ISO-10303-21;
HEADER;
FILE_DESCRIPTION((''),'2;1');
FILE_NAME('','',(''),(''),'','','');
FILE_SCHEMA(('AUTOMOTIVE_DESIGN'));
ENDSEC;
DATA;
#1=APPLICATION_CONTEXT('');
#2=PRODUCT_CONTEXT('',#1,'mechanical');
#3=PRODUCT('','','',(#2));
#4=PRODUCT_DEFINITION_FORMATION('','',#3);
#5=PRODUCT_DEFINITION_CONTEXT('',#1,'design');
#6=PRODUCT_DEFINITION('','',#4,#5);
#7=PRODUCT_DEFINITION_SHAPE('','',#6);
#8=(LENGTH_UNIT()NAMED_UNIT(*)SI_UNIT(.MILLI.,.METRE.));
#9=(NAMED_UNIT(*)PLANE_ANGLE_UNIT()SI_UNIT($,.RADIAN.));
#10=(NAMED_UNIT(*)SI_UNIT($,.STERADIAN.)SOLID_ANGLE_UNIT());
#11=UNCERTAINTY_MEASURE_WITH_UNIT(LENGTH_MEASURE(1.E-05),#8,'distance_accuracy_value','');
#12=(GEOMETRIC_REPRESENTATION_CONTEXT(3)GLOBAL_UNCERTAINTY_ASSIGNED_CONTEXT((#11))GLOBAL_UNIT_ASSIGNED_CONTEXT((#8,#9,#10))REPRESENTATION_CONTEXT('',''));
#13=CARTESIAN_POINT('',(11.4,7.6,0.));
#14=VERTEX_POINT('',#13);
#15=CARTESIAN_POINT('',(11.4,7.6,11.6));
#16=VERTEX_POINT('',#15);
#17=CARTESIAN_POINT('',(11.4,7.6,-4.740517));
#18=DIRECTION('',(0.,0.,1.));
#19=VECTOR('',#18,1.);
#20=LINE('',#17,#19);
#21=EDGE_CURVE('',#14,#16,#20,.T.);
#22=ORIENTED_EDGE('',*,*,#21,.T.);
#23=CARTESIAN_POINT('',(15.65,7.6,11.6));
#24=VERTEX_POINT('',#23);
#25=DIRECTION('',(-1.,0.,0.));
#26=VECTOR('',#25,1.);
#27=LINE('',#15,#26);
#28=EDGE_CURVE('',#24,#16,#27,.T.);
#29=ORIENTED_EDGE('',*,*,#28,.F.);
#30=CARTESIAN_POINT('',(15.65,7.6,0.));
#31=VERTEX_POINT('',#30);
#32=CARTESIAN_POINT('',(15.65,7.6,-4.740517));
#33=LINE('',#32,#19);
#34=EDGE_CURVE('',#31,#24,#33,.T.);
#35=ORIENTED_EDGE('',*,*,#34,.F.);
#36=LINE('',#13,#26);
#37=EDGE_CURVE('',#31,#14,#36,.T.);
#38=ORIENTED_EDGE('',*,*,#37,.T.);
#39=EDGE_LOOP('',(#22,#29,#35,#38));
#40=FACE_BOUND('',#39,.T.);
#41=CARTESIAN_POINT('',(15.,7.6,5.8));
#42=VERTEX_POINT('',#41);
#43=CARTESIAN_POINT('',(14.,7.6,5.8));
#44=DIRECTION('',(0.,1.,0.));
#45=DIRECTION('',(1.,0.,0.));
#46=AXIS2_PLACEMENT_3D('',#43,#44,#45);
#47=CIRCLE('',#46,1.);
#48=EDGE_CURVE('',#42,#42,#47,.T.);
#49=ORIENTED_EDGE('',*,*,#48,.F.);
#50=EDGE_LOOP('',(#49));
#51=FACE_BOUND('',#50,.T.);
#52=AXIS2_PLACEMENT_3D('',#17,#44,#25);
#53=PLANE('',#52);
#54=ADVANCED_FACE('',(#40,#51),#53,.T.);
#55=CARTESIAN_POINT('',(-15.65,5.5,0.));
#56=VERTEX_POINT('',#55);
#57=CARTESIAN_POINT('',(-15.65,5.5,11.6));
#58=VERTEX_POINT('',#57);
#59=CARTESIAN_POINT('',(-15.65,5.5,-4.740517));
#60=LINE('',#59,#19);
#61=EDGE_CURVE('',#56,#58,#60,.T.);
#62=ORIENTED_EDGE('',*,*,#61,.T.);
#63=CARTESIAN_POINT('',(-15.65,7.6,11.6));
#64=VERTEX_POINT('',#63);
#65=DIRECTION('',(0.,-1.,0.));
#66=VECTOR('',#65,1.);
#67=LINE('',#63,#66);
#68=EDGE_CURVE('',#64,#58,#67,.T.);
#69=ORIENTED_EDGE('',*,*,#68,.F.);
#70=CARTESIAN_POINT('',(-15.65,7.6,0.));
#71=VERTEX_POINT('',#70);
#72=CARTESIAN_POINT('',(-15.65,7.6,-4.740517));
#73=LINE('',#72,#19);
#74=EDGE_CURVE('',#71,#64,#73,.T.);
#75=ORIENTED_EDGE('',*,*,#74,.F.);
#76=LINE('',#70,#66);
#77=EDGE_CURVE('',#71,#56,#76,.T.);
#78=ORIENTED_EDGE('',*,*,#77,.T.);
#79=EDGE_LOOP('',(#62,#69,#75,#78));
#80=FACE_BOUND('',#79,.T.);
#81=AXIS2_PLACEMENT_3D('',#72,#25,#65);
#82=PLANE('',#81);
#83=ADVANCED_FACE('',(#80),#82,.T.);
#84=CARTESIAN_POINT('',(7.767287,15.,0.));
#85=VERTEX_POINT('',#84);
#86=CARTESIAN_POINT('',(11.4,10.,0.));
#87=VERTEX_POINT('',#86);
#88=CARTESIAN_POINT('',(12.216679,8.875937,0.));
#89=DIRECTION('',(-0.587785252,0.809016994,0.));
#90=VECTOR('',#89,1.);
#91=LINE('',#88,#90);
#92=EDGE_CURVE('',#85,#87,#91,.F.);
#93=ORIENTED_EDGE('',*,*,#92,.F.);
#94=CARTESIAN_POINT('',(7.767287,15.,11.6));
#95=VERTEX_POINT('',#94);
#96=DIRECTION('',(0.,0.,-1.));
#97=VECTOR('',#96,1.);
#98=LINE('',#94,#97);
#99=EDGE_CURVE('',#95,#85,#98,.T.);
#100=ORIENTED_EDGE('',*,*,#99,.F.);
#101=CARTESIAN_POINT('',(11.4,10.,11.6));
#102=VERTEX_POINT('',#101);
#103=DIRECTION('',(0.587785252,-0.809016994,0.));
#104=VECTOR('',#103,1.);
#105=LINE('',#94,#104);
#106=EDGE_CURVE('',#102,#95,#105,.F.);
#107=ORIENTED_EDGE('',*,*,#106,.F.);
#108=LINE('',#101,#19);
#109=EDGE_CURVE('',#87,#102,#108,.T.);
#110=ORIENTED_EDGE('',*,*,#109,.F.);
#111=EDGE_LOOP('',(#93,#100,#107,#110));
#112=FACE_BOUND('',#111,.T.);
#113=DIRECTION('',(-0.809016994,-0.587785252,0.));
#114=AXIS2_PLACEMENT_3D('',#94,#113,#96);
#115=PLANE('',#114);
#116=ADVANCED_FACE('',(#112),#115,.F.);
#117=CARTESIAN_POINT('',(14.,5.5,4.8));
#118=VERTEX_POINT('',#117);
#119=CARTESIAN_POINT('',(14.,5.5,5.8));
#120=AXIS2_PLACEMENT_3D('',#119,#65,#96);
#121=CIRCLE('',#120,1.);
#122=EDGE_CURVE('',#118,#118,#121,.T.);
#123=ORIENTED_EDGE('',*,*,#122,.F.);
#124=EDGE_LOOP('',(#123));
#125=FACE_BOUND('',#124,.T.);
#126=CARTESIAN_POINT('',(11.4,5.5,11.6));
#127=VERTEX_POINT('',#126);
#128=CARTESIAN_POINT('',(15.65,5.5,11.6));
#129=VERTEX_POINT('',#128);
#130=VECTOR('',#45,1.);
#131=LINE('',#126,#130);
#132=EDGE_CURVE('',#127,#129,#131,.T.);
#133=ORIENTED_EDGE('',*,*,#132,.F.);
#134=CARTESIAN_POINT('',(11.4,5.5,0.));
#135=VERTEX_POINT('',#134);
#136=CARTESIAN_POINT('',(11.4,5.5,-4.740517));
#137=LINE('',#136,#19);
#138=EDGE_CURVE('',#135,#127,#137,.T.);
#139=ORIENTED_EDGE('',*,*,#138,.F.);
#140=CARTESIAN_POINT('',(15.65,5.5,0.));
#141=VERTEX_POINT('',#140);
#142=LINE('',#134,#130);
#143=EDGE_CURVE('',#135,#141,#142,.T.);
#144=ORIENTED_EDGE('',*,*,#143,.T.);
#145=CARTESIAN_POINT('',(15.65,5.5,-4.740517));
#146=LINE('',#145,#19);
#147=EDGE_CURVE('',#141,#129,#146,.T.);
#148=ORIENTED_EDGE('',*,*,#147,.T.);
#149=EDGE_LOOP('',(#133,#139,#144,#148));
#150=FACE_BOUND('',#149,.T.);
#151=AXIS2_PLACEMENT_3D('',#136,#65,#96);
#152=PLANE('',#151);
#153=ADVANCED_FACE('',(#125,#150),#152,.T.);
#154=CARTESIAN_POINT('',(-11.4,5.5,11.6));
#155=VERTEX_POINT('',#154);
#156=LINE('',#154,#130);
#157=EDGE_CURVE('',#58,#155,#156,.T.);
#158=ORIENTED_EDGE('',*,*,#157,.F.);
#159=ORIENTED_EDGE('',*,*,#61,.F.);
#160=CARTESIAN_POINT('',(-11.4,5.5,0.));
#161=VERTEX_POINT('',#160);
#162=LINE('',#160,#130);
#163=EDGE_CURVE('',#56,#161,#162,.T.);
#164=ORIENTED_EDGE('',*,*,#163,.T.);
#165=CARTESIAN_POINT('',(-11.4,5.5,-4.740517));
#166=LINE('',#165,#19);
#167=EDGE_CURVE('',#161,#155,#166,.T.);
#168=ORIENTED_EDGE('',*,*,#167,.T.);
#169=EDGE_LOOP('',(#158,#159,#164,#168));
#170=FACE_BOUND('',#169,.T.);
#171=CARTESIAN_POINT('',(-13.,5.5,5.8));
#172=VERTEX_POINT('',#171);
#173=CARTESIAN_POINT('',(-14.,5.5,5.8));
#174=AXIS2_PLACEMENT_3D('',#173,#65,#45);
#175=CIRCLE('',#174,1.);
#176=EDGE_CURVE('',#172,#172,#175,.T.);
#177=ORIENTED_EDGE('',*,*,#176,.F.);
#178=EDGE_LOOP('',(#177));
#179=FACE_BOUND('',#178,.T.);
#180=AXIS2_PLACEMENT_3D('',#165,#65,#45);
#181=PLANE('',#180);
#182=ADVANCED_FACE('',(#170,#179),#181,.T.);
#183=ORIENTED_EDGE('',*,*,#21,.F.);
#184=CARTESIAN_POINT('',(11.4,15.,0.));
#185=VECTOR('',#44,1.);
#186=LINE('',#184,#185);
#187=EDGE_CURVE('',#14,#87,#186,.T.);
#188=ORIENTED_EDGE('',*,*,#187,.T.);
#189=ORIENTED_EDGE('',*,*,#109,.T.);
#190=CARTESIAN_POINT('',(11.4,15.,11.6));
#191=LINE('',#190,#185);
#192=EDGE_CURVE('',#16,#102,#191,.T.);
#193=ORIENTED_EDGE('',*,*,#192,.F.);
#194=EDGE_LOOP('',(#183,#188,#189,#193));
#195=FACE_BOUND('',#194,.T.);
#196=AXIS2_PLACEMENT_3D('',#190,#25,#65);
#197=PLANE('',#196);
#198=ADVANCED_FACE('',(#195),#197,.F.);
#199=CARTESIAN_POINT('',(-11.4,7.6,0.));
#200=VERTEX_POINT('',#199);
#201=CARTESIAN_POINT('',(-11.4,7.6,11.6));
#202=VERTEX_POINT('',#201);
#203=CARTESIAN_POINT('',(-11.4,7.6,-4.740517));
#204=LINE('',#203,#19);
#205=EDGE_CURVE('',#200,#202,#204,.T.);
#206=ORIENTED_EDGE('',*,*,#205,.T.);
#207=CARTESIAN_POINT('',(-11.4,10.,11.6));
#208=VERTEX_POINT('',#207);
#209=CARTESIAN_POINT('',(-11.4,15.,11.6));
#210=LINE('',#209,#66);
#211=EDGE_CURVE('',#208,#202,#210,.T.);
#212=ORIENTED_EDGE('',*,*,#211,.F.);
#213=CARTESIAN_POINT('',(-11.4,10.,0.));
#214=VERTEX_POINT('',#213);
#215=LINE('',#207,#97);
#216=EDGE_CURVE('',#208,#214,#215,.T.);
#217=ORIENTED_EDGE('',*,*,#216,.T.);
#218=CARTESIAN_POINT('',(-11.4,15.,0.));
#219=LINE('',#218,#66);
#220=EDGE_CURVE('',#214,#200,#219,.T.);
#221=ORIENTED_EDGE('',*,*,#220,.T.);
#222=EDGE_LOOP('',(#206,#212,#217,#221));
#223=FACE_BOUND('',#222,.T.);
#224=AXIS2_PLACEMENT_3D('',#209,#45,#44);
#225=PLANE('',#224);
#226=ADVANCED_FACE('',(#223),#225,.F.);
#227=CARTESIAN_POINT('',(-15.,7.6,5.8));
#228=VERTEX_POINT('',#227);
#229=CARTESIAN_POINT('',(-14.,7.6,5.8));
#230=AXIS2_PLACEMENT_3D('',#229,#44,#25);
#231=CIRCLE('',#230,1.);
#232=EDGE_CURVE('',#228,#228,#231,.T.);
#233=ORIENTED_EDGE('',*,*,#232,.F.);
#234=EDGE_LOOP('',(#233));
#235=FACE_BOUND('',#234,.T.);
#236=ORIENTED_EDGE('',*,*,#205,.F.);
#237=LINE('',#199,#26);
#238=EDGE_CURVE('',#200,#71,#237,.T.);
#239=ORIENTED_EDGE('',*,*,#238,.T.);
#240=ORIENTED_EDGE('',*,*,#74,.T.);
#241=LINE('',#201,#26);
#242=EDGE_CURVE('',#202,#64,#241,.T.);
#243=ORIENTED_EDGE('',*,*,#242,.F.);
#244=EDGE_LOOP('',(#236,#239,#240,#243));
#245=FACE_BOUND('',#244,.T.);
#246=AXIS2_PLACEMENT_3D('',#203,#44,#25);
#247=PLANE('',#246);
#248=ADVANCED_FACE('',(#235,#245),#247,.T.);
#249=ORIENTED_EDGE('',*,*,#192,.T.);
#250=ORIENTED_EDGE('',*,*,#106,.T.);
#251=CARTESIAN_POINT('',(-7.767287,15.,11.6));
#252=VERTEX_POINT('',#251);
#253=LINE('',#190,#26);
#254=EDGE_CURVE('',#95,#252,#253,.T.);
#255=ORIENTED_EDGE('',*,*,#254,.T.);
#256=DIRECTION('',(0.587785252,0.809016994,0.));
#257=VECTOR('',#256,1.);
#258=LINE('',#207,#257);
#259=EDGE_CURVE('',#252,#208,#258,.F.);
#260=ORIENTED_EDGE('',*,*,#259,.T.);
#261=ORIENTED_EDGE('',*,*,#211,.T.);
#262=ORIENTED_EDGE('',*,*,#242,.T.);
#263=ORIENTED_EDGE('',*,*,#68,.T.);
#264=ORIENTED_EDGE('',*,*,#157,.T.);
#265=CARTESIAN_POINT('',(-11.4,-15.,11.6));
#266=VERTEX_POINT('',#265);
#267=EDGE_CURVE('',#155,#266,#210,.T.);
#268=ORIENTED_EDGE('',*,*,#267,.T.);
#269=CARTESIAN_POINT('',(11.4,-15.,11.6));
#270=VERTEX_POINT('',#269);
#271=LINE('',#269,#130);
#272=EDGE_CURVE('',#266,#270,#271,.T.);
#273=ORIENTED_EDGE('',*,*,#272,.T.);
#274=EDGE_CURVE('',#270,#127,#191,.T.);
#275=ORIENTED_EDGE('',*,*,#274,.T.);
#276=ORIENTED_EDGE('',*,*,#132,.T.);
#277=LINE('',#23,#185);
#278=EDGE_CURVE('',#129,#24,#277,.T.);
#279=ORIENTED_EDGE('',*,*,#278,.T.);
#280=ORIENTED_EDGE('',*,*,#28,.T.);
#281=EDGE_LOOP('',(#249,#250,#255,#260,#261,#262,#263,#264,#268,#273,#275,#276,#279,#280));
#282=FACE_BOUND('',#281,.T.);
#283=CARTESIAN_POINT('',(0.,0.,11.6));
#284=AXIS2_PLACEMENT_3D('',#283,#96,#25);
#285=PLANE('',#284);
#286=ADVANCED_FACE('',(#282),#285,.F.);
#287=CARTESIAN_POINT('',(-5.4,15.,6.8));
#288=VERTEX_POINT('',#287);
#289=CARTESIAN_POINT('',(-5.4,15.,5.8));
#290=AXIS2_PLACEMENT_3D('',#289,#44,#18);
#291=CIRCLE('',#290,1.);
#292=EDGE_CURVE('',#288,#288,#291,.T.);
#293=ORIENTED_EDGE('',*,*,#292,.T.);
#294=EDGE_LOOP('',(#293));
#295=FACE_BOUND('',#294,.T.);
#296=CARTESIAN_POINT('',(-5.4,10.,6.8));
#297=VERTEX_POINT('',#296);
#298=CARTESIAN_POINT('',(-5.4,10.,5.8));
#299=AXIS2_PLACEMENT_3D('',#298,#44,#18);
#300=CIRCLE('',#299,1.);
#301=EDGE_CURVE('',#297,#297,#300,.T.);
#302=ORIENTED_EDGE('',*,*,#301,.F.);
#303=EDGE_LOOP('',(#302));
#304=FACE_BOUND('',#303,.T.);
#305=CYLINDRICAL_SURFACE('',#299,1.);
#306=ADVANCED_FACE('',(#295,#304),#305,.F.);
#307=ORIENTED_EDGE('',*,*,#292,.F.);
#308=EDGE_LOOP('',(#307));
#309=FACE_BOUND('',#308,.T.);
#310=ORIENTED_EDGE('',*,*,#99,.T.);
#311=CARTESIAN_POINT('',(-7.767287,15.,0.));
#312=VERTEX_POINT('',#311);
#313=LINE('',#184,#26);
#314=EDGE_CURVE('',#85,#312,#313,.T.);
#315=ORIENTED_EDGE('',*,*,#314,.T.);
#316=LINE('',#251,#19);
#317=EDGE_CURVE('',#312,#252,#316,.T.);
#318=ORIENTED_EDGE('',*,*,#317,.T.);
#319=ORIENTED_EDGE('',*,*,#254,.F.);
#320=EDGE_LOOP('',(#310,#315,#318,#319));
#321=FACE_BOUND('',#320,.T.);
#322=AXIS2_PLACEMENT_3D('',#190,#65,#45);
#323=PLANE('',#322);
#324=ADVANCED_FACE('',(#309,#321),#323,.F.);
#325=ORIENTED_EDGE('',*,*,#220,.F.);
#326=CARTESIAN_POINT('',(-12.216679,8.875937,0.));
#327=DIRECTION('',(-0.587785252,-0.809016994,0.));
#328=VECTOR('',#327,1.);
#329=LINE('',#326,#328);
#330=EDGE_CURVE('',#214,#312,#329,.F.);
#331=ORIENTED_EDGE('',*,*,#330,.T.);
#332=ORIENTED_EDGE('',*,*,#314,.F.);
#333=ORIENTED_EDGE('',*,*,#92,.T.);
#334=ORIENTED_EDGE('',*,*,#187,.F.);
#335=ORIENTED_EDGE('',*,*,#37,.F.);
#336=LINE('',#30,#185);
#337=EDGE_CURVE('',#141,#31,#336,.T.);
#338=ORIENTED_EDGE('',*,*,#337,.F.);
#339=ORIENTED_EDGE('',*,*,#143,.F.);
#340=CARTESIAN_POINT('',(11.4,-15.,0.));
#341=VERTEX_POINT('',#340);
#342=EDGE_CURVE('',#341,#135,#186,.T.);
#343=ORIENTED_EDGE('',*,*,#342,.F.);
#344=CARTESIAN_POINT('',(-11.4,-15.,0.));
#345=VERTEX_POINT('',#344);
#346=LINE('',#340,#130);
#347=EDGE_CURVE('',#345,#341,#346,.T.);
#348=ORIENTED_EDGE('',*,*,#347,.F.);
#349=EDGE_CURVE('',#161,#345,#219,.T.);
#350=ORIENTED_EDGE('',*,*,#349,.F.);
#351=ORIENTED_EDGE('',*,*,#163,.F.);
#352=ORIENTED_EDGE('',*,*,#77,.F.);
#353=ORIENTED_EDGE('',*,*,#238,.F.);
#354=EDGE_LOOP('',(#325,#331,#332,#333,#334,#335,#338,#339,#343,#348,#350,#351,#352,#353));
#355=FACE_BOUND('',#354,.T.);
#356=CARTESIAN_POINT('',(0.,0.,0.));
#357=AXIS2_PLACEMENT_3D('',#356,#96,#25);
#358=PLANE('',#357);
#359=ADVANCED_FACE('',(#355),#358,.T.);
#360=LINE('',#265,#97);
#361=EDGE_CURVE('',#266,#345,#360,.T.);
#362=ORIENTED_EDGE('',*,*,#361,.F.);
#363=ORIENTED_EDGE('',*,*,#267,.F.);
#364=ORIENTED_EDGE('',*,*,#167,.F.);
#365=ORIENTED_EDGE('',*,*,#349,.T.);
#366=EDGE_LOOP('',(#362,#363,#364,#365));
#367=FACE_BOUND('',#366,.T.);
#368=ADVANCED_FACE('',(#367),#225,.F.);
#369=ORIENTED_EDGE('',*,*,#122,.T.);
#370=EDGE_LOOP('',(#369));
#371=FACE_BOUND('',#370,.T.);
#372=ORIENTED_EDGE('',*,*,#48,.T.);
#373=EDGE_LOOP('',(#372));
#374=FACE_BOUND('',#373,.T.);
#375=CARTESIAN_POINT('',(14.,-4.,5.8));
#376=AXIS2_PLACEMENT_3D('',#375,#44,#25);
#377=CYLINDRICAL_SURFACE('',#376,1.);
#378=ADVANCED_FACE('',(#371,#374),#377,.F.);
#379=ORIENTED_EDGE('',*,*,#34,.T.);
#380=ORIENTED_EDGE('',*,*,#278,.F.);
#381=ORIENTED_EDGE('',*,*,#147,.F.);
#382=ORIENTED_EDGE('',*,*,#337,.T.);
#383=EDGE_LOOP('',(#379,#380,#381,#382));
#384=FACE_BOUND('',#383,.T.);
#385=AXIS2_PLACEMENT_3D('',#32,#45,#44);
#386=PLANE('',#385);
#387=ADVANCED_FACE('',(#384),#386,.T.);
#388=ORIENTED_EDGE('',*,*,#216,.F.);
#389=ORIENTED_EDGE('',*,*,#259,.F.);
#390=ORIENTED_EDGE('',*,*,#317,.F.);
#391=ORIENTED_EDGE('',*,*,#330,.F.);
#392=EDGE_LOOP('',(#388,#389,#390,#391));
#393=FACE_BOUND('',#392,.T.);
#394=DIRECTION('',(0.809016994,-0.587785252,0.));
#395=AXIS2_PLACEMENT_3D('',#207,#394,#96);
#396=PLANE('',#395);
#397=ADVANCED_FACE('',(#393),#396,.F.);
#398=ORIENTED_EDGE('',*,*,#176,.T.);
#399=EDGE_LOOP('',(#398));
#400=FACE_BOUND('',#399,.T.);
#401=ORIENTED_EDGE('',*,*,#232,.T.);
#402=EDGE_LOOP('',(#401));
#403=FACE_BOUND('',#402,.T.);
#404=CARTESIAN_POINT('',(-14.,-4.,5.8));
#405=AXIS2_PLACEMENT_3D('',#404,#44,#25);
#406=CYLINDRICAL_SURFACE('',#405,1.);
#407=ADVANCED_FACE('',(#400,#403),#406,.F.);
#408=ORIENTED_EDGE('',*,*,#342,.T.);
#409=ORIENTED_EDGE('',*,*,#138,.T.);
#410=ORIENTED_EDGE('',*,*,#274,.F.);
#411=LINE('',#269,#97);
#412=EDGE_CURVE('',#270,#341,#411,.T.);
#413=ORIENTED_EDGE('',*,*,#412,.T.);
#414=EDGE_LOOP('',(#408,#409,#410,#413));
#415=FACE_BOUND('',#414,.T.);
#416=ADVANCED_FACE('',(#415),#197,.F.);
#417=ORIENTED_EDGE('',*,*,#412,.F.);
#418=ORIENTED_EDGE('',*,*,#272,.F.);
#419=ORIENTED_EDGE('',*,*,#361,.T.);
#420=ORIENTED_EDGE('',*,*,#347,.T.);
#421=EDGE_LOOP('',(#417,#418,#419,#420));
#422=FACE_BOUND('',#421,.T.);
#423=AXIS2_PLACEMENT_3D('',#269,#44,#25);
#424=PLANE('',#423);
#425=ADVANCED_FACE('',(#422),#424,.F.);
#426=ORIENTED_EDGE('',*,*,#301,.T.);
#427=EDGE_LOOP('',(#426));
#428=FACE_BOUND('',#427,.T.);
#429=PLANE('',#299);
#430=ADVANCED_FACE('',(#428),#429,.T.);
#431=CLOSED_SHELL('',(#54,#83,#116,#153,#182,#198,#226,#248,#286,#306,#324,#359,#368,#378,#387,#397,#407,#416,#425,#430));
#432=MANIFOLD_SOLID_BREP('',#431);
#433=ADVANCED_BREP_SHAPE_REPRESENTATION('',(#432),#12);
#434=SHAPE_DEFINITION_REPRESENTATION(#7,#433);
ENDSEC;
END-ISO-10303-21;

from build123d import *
from OCP.BRepFilletAPI import BRepFilletAPI_MakeChamfer

# Parameters (mm, degrees)
SKETCH1_W           = 22.8
SKETCH1_H           = 30
BOSS_EXTRUDE1_DEPTH = 11.6
SKETCH3_W           = 4.25
SKETCH3_H           = 2.1
BOSS_EXTRUDE2_DEPTH = 11.6
SKETCH4_R           = 1
CUT_EXTRUDE1_DEPTH  = 11.6
SKETCH2_R           = 1
CUT_EXTRUDE2_DEPTH  = 5
CHAMFER1_SIZE       = 5
CHAMFER1_SIZE2      = 3.63271264


with BuildPart() as part:
    # Sketch1 → Boss-Extrude1 (new body)
    with BuildSketch(Plane.XY):
        Rectangle(SKETCH1_W, SKETCH1_H)
    extrude(amount=BOSS_EXTRUDE1_DEPTH)

    # Sketch3 → Boss-Extrude2 (add)
    with BuildSketch(Plane.XY.offset(11.6)):
        with Locations((-13.525, 6.55)):
            Rectangle(SKETCH3_W, SKETCH3_H)
        with Locations((13.525, 6.55)):
            Rectangle(SKETCH3_W, SKETCH3_H)
    extrude(amount=-BOSS_EXTRUDE2_DEPTH)

    # Sketch4 → Cut-Extrude1 (cut)
    with BuildSketch(Plane(origin=(0, 7.6, 0), x_dir=(1, 0, 0), z_dir=(0, 1, 0))):
        with Locations(Location((-14, -5.8, 0), (0, 0, 180))):
            Circle(SKETCH4_R)
        with Locations(Location((14, -5.8, 0), (0, 0, 90))):
            Circle(SKETCH4_R)
    extrude(amount=-CUT_EXTRUDE1_DEPTH, mode=Mode.SUBTRACT)

    # Sketch2 → Cut-Extrude2 (cut)
    with BuildSketch(Plane(origin=(0, 15, 0), x_dir=(1, 0, 0), z_dir=(0, 1, 0))):
        with Locations(Location((-5.4, -5.8, 0), (0, 0, 270))):
            Circle(SKETCH2_R)
    extrude(amount=-CUT_EXTRUDE2_DEPTH, mode=Mode.SUBTRACT)

    # Chamfer1: one chamfer whose edges measure the first distance from different faces: ONE call of the kernel's chamfer builder (chamfer() names one face for all edges)
    chamfer1_edges_1 = [part.edges().sort_by_distance(p)[0] for p in [
        (-11.4, 15, 5.8),
    ]]
    chamfer1_side_1 = [part.faces().sort_by_distance(p)[0] for p in [
        (-11.4, 11.3, 5.8),
    ]]
    chamfer1_edges_2 = [part.edges().sort_by_distance(p)[0] for p in [
        (11.4, 15, 5.8),
    ]]
    chamfer1_side_2 = [part.faces().sort_by_distance(p)[0] for p in [
        (11.4, 11.3, 5.8),
    ]]
    chamfer1 = BRepFilletAPI_MakeChamfer(part.part.solid().wrapped)
    for e in chamfer1_edges_1:
        chamfer1.Add(CHAMFER1_SIZE, CHAMFER1_SIZE2, e.wrapped, chamfer1_side_1[0].wrapped)  # the first distance lies on this face
    for e in chamfer1_edges_2:
        chamfer1.Add(CHAMFER1_SIZE, CHAMFER1_SIZE2, e.wrapped, chamfer1_side_2[0].wrapped)  # the first distance lies on this face
    add(Compound.cast(chamfer1.Shape()), mode=Mode.REPLACE)


solid = part.part
